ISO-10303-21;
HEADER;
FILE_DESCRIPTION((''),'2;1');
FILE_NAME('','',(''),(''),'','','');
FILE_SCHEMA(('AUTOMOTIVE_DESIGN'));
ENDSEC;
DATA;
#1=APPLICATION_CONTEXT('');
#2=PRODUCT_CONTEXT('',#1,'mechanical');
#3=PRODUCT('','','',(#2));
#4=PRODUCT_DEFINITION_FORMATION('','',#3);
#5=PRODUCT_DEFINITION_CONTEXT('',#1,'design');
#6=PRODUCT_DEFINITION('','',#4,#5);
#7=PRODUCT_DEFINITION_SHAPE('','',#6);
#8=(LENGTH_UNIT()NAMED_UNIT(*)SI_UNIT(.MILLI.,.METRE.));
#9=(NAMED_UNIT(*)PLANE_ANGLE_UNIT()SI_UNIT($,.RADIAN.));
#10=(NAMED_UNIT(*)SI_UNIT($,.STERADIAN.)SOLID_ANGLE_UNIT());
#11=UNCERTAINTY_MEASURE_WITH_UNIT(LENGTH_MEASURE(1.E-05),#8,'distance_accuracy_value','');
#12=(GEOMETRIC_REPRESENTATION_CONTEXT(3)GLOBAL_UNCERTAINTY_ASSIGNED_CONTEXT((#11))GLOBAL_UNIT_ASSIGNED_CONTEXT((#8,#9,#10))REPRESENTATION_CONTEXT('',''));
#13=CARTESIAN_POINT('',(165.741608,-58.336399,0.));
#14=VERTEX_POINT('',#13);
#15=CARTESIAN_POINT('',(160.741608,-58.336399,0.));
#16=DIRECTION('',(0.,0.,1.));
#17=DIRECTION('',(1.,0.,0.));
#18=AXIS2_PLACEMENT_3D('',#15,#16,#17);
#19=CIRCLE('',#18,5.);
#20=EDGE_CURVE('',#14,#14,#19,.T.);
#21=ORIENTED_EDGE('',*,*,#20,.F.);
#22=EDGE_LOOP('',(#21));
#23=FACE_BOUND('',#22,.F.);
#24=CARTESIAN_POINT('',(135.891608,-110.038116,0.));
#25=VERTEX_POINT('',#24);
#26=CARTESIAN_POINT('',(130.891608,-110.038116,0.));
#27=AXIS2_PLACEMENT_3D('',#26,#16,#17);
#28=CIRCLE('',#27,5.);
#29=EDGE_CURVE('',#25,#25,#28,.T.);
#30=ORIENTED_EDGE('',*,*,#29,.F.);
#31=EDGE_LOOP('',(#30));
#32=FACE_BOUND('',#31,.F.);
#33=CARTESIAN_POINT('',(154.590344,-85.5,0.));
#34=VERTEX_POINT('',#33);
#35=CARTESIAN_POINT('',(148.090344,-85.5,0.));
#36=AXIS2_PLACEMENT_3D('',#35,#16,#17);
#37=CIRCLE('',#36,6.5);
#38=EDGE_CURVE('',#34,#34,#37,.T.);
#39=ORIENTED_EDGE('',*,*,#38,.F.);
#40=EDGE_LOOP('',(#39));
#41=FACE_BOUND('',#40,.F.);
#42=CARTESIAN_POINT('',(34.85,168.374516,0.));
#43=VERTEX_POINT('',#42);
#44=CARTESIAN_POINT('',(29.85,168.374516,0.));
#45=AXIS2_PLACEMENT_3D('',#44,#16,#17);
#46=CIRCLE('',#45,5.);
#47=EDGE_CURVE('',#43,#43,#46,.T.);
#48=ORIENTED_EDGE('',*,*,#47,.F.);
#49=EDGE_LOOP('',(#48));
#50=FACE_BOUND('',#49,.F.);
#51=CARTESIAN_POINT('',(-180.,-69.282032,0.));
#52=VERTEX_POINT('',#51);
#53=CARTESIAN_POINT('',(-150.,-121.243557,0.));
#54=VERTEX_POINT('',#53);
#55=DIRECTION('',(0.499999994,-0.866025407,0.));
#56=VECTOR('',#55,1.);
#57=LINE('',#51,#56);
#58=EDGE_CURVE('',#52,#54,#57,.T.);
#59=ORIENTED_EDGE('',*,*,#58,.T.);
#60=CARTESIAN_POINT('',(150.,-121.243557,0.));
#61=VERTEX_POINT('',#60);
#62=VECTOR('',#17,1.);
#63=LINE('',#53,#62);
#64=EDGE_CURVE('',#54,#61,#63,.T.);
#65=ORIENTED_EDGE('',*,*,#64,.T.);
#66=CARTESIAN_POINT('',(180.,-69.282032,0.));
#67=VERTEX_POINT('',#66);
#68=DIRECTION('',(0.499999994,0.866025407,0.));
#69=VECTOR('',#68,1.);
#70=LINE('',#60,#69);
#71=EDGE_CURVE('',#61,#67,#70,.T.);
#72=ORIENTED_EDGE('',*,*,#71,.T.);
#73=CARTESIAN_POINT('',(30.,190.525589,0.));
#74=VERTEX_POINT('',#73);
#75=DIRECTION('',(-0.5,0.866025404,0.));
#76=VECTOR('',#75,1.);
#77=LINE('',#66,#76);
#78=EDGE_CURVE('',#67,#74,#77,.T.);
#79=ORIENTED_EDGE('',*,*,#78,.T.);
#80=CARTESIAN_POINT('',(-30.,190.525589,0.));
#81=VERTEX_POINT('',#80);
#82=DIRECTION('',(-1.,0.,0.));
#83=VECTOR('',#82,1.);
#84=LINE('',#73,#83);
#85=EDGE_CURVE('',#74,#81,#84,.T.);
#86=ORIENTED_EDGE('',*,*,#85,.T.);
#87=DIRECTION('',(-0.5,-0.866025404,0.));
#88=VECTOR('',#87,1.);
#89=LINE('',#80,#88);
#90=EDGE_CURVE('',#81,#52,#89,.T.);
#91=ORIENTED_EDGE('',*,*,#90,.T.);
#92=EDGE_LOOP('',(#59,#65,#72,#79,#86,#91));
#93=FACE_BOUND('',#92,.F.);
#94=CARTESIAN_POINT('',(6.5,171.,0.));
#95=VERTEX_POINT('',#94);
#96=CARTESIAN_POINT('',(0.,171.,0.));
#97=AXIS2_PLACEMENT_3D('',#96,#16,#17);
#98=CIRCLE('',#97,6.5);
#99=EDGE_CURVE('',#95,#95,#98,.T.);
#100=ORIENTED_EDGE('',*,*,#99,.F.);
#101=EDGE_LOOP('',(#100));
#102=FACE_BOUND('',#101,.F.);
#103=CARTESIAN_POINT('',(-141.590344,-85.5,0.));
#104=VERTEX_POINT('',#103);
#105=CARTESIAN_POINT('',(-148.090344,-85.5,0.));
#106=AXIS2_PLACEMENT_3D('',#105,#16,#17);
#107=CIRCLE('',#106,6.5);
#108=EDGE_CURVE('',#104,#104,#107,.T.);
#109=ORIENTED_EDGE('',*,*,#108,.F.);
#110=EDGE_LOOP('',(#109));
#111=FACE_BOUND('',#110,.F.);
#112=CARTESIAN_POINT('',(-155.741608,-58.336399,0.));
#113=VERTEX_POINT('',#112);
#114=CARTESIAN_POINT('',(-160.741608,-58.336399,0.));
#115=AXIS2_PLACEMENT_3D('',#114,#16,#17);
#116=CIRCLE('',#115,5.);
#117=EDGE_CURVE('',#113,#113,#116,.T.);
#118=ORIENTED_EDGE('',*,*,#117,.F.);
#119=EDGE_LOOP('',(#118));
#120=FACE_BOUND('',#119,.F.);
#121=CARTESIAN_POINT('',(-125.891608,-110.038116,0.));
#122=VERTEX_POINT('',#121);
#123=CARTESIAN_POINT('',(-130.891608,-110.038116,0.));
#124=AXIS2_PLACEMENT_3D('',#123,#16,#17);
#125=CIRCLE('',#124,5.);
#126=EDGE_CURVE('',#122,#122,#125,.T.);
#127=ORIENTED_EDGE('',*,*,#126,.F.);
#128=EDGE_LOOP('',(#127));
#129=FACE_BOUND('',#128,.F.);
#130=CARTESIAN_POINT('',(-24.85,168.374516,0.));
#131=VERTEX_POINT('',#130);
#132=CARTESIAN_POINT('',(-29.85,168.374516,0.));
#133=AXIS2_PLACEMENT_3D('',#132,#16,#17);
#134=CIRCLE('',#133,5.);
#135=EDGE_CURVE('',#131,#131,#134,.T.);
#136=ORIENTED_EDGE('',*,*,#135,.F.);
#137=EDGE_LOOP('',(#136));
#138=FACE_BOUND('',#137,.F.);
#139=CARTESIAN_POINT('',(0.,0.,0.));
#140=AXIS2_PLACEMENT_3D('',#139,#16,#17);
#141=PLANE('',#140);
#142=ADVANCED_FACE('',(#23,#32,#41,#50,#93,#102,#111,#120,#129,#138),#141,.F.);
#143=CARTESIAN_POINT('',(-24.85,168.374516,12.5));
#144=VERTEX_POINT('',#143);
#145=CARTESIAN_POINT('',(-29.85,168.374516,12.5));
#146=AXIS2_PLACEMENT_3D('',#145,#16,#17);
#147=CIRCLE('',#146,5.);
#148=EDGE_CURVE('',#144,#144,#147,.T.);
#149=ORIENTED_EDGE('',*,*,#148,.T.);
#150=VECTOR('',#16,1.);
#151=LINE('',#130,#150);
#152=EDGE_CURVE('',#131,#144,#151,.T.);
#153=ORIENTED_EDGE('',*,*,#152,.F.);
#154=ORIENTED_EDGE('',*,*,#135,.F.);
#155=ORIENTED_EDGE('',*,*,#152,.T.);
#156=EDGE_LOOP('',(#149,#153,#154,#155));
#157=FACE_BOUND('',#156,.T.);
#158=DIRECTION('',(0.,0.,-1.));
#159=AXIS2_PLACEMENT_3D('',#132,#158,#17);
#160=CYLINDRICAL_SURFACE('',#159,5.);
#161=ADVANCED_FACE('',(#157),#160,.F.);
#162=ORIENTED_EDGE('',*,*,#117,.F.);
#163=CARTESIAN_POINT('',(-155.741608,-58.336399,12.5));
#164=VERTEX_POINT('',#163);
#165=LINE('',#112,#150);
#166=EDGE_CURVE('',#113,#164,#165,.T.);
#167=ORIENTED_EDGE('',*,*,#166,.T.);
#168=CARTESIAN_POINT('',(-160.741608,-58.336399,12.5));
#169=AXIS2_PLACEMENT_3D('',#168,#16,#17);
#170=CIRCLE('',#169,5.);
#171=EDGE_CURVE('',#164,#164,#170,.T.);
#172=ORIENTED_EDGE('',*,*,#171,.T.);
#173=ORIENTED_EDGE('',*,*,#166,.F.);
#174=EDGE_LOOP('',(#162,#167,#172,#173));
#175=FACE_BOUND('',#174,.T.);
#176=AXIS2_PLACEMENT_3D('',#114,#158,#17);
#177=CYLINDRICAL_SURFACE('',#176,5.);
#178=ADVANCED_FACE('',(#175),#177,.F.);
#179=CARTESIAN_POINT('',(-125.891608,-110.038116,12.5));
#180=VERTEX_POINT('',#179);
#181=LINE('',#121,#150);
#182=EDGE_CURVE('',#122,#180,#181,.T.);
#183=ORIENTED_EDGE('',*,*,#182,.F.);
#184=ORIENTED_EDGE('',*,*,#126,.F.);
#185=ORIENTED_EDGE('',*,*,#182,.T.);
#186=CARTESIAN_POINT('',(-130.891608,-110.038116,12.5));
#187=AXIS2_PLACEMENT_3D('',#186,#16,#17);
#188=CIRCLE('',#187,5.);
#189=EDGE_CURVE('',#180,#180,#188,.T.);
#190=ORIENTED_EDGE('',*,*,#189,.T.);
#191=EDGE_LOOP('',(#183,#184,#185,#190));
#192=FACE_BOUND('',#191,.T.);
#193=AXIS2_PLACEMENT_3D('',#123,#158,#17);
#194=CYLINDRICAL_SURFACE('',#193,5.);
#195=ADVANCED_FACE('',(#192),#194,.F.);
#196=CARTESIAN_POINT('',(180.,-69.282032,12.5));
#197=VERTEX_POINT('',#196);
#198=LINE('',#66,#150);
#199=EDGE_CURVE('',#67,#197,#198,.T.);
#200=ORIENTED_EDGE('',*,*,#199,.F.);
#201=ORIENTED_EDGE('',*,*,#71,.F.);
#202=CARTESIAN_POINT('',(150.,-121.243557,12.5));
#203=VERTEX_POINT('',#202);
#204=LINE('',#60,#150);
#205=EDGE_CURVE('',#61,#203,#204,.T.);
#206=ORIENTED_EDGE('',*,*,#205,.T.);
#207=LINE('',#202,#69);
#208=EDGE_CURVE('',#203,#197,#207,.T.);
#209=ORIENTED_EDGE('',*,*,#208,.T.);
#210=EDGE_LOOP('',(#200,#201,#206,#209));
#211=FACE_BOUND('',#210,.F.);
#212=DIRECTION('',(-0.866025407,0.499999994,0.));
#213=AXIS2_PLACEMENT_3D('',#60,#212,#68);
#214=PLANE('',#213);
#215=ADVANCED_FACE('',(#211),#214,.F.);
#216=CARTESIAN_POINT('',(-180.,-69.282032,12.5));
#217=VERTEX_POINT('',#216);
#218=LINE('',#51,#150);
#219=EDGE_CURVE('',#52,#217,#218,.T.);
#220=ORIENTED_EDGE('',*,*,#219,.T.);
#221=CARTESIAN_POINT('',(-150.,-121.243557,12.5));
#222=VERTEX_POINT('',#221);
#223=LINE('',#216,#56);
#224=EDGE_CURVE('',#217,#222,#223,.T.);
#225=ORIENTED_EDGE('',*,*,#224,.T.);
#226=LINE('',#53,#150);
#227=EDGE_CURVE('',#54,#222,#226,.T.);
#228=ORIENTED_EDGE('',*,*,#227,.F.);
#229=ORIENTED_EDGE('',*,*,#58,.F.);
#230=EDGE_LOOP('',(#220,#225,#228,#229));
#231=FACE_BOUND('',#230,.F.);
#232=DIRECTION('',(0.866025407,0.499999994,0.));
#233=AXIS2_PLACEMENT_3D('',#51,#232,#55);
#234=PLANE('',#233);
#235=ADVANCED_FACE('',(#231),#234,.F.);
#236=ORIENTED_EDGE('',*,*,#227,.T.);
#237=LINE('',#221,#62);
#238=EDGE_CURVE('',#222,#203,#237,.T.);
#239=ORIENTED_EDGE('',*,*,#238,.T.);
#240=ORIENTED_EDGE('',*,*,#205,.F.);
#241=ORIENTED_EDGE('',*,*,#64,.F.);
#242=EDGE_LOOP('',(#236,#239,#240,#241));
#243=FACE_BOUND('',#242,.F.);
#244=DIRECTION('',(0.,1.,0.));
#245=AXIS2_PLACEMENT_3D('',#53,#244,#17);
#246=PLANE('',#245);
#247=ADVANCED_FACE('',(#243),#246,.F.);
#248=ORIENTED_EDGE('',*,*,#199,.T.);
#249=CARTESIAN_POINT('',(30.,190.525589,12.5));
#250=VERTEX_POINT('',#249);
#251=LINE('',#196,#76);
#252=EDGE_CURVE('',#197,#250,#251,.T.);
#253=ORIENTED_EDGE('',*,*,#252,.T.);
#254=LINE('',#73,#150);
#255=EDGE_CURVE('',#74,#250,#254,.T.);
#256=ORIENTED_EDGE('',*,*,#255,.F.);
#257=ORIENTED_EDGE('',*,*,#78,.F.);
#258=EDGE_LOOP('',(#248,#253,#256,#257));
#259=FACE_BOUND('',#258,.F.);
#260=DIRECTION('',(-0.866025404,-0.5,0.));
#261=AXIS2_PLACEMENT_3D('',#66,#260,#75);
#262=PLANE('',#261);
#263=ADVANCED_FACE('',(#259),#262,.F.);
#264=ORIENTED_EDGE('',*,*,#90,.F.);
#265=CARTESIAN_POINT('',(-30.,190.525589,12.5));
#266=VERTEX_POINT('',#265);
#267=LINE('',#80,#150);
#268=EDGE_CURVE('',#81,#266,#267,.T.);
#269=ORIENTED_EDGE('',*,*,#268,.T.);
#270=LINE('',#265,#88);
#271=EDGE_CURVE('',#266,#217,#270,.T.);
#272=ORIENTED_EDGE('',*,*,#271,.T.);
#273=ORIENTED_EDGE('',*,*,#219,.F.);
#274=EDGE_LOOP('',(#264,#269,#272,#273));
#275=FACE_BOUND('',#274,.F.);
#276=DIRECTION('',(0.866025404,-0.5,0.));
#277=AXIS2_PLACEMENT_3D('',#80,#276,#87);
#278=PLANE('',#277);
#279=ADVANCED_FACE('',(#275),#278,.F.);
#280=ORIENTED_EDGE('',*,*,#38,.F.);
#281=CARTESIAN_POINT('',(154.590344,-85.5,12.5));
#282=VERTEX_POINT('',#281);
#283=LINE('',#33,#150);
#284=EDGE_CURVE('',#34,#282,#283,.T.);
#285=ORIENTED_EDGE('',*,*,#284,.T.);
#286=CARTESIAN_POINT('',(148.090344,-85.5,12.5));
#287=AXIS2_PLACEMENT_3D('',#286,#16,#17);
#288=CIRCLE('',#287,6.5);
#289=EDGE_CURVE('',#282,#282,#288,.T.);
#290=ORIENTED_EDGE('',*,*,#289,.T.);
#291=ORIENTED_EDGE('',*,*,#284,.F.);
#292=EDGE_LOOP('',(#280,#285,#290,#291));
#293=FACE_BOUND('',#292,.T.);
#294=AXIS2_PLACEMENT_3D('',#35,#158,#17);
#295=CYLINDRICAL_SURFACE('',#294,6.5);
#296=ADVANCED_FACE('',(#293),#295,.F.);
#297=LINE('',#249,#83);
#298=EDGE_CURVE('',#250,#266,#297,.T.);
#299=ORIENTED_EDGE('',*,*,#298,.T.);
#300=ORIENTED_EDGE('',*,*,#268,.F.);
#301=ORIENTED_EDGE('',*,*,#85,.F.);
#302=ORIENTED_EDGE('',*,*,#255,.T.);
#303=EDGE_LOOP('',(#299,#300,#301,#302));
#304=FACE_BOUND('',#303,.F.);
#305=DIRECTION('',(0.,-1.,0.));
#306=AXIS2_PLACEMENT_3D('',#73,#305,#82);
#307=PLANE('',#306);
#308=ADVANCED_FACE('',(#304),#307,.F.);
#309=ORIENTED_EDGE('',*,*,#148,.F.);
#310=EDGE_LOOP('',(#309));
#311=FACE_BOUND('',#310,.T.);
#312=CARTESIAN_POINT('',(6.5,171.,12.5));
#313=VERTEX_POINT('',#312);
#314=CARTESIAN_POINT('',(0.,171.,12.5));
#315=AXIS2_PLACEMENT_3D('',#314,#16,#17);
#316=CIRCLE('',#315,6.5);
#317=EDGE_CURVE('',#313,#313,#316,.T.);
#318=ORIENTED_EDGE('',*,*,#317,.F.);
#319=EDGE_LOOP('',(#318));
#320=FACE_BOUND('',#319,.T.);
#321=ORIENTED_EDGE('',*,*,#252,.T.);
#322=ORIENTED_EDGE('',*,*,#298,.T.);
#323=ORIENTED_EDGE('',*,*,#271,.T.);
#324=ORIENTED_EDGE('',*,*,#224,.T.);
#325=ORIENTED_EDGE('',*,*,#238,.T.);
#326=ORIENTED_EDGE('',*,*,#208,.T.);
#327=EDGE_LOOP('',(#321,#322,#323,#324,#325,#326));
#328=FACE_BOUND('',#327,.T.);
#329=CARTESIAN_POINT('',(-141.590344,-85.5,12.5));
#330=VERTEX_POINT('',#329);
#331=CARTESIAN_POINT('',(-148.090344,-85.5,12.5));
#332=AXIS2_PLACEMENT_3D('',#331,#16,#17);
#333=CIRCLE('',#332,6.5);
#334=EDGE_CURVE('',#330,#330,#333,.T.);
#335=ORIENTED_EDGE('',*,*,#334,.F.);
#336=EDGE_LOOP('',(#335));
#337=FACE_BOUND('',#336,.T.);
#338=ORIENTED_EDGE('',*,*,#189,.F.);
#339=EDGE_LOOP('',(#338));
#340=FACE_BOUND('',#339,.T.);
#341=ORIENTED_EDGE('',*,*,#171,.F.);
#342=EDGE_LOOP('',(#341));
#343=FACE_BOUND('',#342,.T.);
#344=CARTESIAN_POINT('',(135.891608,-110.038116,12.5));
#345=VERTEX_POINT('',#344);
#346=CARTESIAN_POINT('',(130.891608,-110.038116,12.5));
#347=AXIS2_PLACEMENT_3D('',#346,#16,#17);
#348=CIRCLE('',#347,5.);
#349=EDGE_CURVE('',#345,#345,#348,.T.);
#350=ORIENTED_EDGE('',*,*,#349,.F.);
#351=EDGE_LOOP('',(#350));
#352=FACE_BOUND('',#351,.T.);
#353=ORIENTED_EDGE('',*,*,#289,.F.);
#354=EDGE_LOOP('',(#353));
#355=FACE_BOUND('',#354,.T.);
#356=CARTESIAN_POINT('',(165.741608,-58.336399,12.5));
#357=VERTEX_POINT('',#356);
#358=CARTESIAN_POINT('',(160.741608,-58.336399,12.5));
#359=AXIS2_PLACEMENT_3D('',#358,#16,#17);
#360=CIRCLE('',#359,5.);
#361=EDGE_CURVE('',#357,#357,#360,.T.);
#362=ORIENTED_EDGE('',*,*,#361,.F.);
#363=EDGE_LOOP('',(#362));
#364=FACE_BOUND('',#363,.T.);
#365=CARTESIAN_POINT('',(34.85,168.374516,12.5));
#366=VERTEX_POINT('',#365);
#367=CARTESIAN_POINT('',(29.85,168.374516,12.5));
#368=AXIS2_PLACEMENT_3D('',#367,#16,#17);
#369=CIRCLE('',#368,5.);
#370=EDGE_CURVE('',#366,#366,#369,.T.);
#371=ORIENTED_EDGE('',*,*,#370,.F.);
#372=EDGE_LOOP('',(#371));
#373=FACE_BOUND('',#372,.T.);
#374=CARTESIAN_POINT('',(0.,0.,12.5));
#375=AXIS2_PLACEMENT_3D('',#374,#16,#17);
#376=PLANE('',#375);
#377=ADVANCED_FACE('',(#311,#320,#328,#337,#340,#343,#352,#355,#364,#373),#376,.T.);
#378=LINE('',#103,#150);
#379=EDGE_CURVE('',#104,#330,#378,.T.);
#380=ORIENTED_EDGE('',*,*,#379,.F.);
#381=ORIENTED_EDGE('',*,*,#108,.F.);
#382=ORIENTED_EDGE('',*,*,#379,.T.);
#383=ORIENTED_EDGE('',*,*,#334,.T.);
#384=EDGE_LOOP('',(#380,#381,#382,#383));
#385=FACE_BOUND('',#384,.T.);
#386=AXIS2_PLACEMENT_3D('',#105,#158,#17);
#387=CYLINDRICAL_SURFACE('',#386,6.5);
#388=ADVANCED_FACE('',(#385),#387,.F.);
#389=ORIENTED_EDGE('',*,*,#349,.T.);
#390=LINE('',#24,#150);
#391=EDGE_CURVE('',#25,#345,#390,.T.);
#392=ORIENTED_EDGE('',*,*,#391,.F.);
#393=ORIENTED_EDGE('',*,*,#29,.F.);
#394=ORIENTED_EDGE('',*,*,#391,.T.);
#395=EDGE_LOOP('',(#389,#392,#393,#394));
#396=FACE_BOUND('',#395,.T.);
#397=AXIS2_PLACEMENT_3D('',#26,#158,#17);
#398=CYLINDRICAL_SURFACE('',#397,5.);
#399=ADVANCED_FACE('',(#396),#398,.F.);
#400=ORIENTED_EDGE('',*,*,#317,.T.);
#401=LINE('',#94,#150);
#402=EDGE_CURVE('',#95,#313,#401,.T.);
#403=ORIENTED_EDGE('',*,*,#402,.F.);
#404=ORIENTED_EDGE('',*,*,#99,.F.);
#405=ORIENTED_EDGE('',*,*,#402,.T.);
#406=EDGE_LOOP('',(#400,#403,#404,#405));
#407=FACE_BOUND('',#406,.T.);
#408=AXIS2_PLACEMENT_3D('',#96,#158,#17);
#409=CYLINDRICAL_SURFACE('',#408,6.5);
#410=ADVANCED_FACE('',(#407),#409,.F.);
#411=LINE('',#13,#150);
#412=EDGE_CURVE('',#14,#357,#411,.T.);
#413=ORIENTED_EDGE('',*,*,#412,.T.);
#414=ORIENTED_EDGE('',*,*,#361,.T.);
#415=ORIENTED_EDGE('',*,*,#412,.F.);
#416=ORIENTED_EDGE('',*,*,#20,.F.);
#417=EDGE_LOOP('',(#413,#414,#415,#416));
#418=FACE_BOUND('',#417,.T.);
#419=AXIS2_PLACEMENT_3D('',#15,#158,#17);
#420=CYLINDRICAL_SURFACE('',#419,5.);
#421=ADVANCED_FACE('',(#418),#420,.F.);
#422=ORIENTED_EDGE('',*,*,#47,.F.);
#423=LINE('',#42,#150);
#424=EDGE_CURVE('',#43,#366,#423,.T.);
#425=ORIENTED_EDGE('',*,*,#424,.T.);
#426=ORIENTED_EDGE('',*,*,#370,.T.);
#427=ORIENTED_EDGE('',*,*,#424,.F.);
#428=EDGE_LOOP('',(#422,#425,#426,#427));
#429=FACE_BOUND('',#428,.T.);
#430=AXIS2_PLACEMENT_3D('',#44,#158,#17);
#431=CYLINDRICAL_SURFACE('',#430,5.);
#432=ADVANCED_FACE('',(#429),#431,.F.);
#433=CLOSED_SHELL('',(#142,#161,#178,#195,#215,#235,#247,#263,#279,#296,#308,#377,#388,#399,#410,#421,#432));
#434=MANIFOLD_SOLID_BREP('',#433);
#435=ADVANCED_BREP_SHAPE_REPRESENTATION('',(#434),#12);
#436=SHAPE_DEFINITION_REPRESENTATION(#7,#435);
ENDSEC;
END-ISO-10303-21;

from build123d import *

# Parameters (mm, degrees)
F0_R     = 6.5
F0_R_2   = 5
F1_DEPTH = 12.5


with BuildPart() as f1:
    # F0 (on Top) → F1 (new body)
    with BuildSketch(Plane.XY):
        Polygon((-30, 190.525589), (-180, -69.282032), (-150, -121.243557), (150, -121.243557), (180, -69.282032), (30, 190.525589), align=None)
        with Locations((-148.090344, -85.5)):
            Circle(F0_R, mode=Mode.SUBTRACT)
        with Locations((-130.891608, -110.038116)):
            Circle(F0_R_2, mode=Mode.SUBTRACT)
        with Locations((-160.741608, -58.336399)):
            Circle(F0_R_2, mode=Mode.SUBTRACT)
        with Locations((130.891608, -110.038116)):
            Circle(F0_R_2, mode=Mode.SUBTRACT)
        with Locations((148.090344, -85.5)):
            Circle(F0_R, mode=Mode.SUBTRACT)
        with Locations((160.741608, -58.336399)):
            Circle(F0_R_2, mode=Mode.SUBTRACT)
        with Locations((-29.85, 168.374516)):
            Circle(F0_R_2, mode=Mode.SUBTRACT)
        with Locations((0, 171)):
            Circle(F0_R, mode=Mode.SUBTRACT)
        with Locations((29.85, 168.374516)):
            Circle(F0_R_2, mode=Mode.SUBTRACT)
    extrude(amount=F1_DEPTH)


solid = f1.part
